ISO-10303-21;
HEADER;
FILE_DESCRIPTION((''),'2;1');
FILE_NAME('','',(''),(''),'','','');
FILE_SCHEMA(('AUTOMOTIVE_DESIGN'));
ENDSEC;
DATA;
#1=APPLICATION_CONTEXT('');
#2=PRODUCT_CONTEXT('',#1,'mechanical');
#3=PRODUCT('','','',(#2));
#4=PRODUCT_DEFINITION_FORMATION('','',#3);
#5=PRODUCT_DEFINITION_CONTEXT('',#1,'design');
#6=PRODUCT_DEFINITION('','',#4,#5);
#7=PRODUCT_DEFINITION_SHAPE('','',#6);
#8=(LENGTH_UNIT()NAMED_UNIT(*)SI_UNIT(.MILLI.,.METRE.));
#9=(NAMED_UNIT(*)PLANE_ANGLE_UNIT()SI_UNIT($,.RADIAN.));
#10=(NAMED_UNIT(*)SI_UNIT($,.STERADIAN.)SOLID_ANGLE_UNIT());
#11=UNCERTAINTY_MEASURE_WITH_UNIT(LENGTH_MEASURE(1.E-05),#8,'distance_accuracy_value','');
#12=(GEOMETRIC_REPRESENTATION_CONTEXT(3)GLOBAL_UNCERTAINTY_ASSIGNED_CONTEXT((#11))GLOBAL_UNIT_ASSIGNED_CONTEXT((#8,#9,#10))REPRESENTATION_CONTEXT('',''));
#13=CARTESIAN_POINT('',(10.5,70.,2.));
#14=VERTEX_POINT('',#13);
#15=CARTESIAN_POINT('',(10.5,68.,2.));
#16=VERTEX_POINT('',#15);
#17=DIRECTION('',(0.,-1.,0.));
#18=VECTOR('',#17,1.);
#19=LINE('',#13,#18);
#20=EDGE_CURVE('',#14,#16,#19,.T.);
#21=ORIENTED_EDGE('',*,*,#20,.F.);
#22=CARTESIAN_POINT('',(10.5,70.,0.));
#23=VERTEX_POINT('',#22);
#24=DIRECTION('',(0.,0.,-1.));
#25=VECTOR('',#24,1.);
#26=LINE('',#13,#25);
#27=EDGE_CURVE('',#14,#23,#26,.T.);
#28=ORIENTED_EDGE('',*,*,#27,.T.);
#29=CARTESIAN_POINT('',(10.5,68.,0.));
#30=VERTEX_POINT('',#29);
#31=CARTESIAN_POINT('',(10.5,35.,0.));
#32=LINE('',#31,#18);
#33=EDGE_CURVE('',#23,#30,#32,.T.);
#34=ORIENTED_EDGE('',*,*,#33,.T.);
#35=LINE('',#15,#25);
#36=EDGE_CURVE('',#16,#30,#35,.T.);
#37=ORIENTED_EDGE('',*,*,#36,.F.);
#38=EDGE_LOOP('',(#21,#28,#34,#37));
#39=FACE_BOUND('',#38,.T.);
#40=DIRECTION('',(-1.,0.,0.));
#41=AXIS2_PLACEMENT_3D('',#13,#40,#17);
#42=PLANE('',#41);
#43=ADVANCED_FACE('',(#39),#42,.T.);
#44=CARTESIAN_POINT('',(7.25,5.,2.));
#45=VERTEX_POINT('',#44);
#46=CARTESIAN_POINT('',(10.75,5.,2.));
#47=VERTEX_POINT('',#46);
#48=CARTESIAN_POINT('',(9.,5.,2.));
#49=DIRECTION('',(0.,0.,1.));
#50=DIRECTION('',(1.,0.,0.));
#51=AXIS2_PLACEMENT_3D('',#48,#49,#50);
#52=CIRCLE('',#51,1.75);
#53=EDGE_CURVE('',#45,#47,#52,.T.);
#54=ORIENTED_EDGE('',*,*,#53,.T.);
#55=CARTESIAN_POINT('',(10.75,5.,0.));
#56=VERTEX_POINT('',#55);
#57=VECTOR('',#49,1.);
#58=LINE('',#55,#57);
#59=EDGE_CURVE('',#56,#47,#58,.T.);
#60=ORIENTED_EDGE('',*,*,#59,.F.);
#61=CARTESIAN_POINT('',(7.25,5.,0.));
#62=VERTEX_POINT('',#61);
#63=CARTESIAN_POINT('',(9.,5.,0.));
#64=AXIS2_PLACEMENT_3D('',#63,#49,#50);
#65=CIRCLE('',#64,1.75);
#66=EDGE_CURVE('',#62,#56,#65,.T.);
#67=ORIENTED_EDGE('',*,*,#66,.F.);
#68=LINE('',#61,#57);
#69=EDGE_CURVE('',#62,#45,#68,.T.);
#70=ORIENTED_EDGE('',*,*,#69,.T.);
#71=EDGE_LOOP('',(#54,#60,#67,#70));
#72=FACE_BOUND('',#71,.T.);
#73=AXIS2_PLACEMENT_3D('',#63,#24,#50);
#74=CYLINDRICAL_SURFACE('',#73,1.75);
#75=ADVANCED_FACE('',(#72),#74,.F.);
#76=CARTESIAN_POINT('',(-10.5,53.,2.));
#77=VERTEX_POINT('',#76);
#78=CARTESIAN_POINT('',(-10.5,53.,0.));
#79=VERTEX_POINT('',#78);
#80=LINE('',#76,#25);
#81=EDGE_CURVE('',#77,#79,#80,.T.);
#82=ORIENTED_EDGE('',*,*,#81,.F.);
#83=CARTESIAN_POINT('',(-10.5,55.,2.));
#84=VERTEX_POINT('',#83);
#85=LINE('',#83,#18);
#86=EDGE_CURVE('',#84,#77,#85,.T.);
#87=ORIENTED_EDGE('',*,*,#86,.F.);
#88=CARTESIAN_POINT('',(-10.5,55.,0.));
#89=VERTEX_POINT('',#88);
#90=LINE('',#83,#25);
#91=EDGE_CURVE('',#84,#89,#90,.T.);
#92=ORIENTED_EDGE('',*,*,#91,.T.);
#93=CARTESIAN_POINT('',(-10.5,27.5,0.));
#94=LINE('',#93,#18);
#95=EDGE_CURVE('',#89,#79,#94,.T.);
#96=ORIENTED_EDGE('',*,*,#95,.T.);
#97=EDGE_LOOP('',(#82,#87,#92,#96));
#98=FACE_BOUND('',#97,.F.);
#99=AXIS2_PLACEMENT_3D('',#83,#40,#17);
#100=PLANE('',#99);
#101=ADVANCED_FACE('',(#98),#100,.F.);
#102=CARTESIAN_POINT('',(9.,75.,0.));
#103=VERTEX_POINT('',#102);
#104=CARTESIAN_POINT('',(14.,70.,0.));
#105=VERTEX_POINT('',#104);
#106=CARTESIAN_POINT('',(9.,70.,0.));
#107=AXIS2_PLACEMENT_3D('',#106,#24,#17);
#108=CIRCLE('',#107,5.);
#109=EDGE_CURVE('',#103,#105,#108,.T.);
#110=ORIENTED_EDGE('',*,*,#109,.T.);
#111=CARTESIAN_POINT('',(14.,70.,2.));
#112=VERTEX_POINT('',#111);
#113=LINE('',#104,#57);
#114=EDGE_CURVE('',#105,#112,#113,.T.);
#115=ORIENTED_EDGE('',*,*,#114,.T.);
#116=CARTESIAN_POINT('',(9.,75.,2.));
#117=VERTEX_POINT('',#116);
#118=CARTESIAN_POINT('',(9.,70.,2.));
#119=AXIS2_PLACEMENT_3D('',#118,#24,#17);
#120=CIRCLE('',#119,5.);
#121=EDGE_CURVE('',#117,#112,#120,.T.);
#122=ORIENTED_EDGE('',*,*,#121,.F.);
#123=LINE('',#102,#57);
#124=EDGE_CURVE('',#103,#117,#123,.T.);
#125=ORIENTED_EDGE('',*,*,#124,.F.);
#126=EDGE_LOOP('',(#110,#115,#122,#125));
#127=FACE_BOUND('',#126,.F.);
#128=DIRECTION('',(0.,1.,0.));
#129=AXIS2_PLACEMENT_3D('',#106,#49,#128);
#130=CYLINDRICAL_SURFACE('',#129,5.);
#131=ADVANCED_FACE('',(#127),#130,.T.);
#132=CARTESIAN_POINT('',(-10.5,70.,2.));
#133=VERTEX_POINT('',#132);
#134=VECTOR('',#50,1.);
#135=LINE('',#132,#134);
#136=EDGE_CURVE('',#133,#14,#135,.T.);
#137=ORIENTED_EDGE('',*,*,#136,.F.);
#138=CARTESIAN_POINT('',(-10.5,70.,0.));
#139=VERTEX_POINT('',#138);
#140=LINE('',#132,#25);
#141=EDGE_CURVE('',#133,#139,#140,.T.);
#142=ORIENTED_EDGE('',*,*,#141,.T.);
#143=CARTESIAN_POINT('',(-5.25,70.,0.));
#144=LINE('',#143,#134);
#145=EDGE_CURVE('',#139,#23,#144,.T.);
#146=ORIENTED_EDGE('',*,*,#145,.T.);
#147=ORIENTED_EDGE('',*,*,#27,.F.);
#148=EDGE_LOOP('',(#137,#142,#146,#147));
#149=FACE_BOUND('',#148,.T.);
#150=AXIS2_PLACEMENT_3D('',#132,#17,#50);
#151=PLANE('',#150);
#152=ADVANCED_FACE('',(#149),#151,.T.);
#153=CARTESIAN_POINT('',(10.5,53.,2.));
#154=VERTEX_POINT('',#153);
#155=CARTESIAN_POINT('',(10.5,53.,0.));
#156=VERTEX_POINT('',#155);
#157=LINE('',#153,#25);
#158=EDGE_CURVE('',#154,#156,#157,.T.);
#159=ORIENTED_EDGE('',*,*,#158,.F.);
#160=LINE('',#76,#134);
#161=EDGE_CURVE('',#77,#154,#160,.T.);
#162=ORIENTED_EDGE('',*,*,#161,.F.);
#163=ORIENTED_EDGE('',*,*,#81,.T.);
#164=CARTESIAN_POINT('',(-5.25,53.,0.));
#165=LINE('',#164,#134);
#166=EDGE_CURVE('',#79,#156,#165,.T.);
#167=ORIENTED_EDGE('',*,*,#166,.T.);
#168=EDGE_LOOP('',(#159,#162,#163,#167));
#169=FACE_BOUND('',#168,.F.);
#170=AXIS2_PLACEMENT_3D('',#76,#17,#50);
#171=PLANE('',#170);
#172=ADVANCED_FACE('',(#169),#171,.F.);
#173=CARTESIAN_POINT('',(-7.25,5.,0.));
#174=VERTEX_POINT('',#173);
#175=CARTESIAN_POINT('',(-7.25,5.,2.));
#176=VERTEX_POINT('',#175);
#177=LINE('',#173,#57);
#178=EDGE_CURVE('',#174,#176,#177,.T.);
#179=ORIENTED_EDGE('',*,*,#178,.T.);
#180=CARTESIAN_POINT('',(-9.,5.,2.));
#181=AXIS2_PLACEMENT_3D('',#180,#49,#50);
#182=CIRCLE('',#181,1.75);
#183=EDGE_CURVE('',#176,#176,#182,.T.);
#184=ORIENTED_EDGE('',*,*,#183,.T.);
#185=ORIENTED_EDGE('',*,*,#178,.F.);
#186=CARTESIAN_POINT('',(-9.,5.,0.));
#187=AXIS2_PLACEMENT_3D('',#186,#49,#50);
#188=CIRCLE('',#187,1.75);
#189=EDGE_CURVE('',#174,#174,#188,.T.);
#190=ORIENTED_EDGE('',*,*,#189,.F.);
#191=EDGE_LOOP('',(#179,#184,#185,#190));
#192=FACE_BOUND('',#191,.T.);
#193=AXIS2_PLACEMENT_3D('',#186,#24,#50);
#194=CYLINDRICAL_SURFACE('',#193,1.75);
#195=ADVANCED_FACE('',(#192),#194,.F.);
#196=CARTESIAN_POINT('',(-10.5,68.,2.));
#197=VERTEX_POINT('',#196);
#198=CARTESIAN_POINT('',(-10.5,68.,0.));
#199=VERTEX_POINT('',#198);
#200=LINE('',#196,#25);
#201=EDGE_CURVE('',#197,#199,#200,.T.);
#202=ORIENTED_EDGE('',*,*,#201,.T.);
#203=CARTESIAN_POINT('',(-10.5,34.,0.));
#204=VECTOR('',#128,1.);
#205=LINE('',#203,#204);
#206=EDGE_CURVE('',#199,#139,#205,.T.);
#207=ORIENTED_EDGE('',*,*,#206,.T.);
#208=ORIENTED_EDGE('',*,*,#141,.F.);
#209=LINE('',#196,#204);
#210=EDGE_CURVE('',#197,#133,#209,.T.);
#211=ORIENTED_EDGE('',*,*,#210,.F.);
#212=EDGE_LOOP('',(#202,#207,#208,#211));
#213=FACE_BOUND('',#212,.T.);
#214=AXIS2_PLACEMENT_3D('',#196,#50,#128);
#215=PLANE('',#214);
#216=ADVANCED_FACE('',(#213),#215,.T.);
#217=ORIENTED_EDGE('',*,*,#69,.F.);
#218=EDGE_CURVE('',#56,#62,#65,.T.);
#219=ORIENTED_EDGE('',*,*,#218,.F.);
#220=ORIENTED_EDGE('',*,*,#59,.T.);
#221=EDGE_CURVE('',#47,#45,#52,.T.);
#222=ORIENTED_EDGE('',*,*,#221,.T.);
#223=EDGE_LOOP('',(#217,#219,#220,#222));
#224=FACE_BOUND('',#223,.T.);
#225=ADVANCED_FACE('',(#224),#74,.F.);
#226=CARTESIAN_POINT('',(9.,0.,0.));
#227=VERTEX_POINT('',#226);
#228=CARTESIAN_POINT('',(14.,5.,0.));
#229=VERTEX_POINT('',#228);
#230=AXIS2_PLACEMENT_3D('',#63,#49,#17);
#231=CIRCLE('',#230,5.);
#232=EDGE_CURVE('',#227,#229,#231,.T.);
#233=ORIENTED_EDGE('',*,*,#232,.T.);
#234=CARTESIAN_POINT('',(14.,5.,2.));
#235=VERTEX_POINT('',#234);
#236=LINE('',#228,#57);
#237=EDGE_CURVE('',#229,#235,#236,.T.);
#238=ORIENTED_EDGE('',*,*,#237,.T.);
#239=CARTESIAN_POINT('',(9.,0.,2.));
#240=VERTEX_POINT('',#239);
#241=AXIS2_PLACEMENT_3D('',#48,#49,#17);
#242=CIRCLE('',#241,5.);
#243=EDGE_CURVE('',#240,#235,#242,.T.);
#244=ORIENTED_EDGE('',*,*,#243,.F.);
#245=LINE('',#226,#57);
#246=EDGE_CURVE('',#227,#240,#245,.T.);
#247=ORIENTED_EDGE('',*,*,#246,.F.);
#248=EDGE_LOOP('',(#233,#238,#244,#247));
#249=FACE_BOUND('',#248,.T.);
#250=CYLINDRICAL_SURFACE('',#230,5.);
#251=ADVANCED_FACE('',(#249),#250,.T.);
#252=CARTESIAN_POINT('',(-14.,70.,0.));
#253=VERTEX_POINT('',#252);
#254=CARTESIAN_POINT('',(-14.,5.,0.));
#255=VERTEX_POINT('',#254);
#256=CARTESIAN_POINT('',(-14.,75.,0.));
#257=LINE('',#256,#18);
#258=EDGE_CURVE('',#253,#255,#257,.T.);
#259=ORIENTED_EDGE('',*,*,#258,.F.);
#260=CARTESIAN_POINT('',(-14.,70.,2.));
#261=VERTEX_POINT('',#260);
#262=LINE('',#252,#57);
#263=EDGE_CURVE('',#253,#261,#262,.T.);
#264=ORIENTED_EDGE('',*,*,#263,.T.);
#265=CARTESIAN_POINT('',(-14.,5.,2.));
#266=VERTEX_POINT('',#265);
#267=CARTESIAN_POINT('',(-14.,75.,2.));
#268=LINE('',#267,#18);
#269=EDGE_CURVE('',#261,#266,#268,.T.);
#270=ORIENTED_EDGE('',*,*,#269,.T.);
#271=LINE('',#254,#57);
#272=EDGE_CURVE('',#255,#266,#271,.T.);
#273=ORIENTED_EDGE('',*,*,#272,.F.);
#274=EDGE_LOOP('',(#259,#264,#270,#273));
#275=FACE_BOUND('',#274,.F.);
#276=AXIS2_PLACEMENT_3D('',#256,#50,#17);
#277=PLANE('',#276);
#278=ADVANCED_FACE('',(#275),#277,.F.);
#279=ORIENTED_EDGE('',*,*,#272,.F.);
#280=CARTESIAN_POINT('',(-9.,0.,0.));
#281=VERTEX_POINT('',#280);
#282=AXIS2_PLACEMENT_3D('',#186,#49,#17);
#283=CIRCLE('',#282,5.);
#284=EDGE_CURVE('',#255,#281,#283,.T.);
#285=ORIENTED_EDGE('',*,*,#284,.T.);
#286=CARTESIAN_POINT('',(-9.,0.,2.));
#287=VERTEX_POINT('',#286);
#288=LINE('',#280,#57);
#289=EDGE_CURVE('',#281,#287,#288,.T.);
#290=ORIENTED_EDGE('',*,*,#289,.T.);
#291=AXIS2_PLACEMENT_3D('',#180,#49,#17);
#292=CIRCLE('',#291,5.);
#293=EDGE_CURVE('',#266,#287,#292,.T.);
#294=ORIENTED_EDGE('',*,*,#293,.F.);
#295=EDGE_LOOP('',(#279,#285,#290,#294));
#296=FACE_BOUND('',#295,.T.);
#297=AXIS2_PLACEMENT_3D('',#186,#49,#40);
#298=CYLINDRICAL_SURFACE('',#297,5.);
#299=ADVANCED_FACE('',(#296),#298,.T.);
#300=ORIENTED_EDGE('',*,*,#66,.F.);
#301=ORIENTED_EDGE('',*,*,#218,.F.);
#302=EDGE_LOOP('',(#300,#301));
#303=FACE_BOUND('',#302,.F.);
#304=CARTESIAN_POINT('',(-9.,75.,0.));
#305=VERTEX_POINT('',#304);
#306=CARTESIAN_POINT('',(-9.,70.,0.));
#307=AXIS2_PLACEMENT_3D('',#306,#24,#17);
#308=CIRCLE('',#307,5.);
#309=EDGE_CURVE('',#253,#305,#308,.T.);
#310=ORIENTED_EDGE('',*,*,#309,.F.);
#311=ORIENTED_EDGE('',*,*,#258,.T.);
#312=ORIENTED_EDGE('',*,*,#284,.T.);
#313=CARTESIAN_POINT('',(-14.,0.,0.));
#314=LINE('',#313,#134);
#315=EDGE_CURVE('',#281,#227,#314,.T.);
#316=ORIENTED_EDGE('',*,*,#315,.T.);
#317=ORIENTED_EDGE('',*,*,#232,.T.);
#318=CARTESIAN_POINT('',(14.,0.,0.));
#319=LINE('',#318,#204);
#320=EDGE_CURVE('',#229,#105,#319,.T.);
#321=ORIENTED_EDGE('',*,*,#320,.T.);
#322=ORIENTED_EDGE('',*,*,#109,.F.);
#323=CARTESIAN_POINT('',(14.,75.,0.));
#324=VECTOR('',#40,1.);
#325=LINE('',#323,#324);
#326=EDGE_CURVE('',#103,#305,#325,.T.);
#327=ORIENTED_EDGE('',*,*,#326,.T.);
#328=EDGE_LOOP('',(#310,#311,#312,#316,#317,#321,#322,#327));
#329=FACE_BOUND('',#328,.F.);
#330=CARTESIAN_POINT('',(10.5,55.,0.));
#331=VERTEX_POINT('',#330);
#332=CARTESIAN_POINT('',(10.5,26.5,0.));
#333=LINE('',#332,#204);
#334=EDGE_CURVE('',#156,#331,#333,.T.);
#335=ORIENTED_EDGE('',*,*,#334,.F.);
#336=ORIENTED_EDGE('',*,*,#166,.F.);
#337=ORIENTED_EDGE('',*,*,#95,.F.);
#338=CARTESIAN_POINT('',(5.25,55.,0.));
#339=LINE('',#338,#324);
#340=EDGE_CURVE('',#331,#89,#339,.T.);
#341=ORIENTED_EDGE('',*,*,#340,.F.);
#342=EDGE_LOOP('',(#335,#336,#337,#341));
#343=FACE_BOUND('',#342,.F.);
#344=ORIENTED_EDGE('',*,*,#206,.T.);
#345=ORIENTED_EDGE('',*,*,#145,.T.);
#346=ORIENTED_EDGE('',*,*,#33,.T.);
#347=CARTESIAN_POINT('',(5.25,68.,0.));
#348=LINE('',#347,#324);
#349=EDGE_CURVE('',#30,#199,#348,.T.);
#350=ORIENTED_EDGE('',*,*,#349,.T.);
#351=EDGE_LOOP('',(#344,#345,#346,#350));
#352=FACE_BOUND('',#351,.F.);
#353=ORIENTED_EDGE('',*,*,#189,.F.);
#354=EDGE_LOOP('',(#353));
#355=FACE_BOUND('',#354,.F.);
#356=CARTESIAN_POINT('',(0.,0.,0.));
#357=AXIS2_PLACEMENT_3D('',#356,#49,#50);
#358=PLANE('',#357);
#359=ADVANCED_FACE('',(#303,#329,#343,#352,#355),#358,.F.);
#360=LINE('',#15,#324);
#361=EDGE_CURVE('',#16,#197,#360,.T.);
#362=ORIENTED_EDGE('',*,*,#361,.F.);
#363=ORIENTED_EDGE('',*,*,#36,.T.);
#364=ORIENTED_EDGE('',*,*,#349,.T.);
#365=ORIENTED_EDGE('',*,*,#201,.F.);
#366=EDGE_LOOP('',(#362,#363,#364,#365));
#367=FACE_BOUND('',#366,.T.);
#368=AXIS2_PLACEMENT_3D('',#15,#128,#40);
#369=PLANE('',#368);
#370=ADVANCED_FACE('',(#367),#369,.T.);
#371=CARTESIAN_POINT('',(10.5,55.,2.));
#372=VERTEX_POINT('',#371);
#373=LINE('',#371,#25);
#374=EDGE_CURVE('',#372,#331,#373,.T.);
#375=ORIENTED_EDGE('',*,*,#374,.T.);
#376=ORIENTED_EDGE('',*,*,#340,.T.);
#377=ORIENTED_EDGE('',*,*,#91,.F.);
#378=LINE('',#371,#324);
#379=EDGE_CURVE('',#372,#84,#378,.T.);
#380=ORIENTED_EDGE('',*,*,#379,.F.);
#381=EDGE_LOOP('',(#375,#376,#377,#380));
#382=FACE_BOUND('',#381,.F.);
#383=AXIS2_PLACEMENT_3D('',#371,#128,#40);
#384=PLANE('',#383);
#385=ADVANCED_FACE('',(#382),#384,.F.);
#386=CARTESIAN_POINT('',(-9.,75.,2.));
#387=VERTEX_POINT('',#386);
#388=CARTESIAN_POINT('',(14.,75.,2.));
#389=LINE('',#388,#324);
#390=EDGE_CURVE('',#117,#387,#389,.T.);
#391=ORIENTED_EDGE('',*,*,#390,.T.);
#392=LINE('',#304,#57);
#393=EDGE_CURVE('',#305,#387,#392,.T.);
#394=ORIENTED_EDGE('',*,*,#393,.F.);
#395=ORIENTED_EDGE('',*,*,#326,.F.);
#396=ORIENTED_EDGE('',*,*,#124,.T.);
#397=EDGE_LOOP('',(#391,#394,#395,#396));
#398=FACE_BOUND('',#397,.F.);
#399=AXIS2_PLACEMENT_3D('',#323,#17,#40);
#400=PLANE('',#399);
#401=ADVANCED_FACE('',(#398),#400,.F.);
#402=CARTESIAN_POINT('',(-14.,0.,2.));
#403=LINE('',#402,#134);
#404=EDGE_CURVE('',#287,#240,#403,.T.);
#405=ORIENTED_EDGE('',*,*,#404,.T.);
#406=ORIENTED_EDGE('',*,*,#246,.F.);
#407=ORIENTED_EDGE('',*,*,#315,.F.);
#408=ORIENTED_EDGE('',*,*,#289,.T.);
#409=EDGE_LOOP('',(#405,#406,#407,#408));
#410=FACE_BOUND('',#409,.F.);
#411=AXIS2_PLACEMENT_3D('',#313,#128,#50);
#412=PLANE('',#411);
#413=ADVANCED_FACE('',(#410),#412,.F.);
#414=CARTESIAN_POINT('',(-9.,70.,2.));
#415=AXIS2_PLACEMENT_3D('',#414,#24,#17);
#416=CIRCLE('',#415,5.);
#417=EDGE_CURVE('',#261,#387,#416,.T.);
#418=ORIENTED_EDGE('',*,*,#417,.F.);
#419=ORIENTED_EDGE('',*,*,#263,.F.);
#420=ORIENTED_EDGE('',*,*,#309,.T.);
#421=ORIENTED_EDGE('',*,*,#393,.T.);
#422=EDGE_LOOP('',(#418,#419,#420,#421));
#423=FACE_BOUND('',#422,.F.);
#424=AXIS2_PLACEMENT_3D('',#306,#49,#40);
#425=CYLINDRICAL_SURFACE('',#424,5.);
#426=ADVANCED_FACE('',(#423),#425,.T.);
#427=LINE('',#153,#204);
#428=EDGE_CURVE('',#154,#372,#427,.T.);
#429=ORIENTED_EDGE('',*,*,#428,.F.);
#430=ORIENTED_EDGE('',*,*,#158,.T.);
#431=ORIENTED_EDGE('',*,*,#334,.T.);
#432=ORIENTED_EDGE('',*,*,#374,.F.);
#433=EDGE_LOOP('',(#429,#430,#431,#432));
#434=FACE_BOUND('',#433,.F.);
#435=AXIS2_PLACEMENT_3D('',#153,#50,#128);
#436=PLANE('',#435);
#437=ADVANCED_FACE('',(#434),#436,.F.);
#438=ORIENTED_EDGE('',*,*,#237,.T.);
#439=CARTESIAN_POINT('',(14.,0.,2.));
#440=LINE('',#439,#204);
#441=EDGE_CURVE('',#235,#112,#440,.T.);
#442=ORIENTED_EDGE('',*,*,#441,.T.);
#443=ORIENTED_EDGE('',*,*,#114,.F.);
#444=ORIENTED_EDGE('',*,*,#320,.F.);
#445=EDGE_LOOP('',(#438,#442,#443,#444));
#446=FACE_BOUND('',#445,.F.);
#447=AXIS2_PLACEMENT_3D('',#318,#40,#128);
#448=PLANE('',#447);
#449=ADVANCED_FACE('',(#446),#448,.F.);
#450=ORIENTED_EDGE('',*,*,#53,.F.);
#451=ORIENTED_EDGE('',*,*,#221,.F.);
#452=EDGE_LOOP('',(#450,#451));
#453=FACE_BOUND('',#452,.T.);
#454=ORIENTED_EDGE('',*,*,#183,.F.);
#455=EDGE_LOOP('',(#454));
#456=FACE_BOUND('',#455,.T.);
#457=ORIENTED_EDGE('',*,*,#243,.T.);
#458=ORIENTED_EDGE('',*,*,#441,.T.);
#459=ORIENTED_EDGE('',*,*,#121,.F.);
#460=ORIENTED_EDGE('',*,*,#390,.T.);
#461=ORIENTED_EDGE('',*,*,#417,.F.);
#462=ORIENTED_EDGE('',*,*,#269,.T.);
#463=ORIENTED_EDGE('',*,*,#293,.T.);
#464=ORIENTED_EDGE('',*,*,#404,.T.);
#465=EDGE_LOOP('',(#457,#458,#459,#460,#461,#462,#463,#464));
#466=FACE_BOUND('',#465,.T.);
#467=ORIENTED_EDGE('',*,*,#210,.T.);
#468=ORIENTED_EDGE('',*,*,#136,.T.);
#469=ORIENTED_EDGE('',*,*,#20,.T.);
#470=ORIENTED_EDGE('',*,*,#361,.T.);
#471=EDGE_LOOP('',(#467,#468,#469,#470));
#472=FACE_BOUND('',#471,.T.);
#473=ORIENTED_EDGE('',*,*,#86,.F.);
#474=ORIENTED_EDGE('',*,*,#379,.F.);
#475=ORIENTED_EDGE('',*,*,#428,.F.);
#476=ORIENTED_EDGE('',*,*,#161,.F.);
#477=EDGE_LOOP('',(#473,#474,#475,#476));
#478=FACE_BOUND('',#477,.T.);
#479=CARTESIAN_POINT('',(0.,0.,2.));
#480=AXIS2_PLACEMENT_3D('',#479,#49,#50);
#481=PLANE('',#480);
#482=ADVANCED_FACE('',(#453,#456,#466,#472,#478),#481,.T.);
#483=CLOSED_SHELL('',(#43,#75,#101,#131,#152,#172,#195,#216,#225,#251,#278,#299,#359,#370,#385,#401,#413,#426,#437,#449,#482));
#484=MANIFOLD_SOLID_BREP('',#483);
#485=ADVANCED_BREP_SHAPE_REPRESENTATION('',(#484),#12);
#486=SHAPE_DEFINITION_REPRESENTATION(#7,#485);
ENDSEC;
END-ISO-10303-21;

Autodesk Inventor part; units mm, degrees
ref_plane "YZ Plane" through (0, 0, 0) normal (1, 0, 0) x (0, 1, 0)
ref_plane "XZ Plane" through (0, 0, 0) normal (0, 1, 0) x (-1, 0, 0)
ref_plane "XY Plane" through (0, 0, 0) normal (0, 0, 1) x (1, 0, 0)
sketch "Sketch1" plane through (0, 0, 0) normal (0, 0, 1) x (1, 0, 0)
  line L0 (-14, 0) -> (14, 0)
  line L1 (14, 0) -> (14, 75)
  line L2 (14, 75) -> (-14, 75)
  line L3 (-14, 75) -> (-14, 0)
  circle A0 centre (-9, 5) radius 1.75
  circle A1 centre (9, 5) radius 1.75
  line L4 (-9, 5) -> (9, 5)
  point P0 (0, 0)
  point P1 (0, 0)
  point P2 (0, 5)
  dimension "d0" = 75
  dimension "d2" = 28
  dimension "d3" = 5
  dimension "d4" = 3.5
  dimension "d5" = 18
extrude "Extrusion1" add sketch "Sketch1" along normal blind 2
sketch "Sketch4" plane through (0, 0, 2) normal (0, 0, 1) x (1, 0, 0)
  line L0 (14, 75) -> (-14, 75) projected
  line L1 (-10.5, 70) -> (10.5, 70)
  line L2 (10.5, 70) -> (10.5, 68)
  line L3 (10.5, 68) -> (-10.5, 68)
  line L4 (-10.5, 68) -> (-10.5, 70)
  line L5 (-10.5, 53) -> (10.5, 53)
  line L6 (10.5, 53) -> (10.5, 55)
  line L7 (10.5, 55) -> (-10.5, 55)
  line L8 (-10.5, 55) -> (-10.5, 53)
  point P0 (0, 0)
  point P1 (0, 53)
  point P2 (0, 68)
  point P3 (0, 75)
  dimension "d19" = 21
  dimension "d21" = 2
  dimension "d22" = 5
  dimension "d23" = 15
extrude "Extrusion4" cut sketch "Sketch4" against normal through all
fillet "Fillet2" radius 5 4 edges at (14, 75, 1) (-14, 75, 1) (14, 0, 1) (-14, 0, 1)
sketch "Sketch2" plane through (0, 0, 2) normal (0, 0, 1) x (1, 0, 0)
  line L0 (14, 75) -> (-14, 75) projected
  line L1 (-11, 75) -> (11, 75)
  line L2 (11, 75) -> (11, 65)
  line L3 (11, 65) -> (-11, 65)
  line L4 (-11, 65) -> (-11, 75)
  line L5 (-11, 65) -> (-14, 65)
  line L6 (-14, 65) -> (-14, 75)
  line L7 (-14, 75) -> (-11, 75)
  line L8 (-11, 75) -> (-11, 65)
  line L9 (11, 65) -> (14, 65)
  line L10 (14, 65) -> (14, 75)
  line L11 (14, 75) -> (11, 75)
  line L12 (11, 75) -> (11, 65)
  point P0 (0, 0)
  point P1 (0, 75)
  dimension "d8" = 10
  dimension "d10" = 22
sketch "Sketch3" plane through (0, 0, 4) normal (0, 0, 1) x (1, 0, 0)
  line L0 (-11, 65) -> (-11, 75) projected
  line L1 (-11, 75) -> (-14, 75) projected
  line L2 (-14, 75) -> (-14, 65) projected
  line L3 (-14, 65) -> (-11, 65) projected
  line L4 (14, 75) -> (11, 75) projected
  line L5 (11, 75) -> (11, 65) projected
  line L6 (11, 65) -> (14, 65) projected
  line L7 (14, 65) -> (14, 75) projected
  line L8 (-11, 75) -> (11, 75)
  line L9 (11, 75) -> (11, 65)
  line L10 (11, 65) -> (-11, 65)
  line L11 (-11, 65) -> (-11, 75)
  point P0 (0, 0)
properties part number "ribbon slider manager"
